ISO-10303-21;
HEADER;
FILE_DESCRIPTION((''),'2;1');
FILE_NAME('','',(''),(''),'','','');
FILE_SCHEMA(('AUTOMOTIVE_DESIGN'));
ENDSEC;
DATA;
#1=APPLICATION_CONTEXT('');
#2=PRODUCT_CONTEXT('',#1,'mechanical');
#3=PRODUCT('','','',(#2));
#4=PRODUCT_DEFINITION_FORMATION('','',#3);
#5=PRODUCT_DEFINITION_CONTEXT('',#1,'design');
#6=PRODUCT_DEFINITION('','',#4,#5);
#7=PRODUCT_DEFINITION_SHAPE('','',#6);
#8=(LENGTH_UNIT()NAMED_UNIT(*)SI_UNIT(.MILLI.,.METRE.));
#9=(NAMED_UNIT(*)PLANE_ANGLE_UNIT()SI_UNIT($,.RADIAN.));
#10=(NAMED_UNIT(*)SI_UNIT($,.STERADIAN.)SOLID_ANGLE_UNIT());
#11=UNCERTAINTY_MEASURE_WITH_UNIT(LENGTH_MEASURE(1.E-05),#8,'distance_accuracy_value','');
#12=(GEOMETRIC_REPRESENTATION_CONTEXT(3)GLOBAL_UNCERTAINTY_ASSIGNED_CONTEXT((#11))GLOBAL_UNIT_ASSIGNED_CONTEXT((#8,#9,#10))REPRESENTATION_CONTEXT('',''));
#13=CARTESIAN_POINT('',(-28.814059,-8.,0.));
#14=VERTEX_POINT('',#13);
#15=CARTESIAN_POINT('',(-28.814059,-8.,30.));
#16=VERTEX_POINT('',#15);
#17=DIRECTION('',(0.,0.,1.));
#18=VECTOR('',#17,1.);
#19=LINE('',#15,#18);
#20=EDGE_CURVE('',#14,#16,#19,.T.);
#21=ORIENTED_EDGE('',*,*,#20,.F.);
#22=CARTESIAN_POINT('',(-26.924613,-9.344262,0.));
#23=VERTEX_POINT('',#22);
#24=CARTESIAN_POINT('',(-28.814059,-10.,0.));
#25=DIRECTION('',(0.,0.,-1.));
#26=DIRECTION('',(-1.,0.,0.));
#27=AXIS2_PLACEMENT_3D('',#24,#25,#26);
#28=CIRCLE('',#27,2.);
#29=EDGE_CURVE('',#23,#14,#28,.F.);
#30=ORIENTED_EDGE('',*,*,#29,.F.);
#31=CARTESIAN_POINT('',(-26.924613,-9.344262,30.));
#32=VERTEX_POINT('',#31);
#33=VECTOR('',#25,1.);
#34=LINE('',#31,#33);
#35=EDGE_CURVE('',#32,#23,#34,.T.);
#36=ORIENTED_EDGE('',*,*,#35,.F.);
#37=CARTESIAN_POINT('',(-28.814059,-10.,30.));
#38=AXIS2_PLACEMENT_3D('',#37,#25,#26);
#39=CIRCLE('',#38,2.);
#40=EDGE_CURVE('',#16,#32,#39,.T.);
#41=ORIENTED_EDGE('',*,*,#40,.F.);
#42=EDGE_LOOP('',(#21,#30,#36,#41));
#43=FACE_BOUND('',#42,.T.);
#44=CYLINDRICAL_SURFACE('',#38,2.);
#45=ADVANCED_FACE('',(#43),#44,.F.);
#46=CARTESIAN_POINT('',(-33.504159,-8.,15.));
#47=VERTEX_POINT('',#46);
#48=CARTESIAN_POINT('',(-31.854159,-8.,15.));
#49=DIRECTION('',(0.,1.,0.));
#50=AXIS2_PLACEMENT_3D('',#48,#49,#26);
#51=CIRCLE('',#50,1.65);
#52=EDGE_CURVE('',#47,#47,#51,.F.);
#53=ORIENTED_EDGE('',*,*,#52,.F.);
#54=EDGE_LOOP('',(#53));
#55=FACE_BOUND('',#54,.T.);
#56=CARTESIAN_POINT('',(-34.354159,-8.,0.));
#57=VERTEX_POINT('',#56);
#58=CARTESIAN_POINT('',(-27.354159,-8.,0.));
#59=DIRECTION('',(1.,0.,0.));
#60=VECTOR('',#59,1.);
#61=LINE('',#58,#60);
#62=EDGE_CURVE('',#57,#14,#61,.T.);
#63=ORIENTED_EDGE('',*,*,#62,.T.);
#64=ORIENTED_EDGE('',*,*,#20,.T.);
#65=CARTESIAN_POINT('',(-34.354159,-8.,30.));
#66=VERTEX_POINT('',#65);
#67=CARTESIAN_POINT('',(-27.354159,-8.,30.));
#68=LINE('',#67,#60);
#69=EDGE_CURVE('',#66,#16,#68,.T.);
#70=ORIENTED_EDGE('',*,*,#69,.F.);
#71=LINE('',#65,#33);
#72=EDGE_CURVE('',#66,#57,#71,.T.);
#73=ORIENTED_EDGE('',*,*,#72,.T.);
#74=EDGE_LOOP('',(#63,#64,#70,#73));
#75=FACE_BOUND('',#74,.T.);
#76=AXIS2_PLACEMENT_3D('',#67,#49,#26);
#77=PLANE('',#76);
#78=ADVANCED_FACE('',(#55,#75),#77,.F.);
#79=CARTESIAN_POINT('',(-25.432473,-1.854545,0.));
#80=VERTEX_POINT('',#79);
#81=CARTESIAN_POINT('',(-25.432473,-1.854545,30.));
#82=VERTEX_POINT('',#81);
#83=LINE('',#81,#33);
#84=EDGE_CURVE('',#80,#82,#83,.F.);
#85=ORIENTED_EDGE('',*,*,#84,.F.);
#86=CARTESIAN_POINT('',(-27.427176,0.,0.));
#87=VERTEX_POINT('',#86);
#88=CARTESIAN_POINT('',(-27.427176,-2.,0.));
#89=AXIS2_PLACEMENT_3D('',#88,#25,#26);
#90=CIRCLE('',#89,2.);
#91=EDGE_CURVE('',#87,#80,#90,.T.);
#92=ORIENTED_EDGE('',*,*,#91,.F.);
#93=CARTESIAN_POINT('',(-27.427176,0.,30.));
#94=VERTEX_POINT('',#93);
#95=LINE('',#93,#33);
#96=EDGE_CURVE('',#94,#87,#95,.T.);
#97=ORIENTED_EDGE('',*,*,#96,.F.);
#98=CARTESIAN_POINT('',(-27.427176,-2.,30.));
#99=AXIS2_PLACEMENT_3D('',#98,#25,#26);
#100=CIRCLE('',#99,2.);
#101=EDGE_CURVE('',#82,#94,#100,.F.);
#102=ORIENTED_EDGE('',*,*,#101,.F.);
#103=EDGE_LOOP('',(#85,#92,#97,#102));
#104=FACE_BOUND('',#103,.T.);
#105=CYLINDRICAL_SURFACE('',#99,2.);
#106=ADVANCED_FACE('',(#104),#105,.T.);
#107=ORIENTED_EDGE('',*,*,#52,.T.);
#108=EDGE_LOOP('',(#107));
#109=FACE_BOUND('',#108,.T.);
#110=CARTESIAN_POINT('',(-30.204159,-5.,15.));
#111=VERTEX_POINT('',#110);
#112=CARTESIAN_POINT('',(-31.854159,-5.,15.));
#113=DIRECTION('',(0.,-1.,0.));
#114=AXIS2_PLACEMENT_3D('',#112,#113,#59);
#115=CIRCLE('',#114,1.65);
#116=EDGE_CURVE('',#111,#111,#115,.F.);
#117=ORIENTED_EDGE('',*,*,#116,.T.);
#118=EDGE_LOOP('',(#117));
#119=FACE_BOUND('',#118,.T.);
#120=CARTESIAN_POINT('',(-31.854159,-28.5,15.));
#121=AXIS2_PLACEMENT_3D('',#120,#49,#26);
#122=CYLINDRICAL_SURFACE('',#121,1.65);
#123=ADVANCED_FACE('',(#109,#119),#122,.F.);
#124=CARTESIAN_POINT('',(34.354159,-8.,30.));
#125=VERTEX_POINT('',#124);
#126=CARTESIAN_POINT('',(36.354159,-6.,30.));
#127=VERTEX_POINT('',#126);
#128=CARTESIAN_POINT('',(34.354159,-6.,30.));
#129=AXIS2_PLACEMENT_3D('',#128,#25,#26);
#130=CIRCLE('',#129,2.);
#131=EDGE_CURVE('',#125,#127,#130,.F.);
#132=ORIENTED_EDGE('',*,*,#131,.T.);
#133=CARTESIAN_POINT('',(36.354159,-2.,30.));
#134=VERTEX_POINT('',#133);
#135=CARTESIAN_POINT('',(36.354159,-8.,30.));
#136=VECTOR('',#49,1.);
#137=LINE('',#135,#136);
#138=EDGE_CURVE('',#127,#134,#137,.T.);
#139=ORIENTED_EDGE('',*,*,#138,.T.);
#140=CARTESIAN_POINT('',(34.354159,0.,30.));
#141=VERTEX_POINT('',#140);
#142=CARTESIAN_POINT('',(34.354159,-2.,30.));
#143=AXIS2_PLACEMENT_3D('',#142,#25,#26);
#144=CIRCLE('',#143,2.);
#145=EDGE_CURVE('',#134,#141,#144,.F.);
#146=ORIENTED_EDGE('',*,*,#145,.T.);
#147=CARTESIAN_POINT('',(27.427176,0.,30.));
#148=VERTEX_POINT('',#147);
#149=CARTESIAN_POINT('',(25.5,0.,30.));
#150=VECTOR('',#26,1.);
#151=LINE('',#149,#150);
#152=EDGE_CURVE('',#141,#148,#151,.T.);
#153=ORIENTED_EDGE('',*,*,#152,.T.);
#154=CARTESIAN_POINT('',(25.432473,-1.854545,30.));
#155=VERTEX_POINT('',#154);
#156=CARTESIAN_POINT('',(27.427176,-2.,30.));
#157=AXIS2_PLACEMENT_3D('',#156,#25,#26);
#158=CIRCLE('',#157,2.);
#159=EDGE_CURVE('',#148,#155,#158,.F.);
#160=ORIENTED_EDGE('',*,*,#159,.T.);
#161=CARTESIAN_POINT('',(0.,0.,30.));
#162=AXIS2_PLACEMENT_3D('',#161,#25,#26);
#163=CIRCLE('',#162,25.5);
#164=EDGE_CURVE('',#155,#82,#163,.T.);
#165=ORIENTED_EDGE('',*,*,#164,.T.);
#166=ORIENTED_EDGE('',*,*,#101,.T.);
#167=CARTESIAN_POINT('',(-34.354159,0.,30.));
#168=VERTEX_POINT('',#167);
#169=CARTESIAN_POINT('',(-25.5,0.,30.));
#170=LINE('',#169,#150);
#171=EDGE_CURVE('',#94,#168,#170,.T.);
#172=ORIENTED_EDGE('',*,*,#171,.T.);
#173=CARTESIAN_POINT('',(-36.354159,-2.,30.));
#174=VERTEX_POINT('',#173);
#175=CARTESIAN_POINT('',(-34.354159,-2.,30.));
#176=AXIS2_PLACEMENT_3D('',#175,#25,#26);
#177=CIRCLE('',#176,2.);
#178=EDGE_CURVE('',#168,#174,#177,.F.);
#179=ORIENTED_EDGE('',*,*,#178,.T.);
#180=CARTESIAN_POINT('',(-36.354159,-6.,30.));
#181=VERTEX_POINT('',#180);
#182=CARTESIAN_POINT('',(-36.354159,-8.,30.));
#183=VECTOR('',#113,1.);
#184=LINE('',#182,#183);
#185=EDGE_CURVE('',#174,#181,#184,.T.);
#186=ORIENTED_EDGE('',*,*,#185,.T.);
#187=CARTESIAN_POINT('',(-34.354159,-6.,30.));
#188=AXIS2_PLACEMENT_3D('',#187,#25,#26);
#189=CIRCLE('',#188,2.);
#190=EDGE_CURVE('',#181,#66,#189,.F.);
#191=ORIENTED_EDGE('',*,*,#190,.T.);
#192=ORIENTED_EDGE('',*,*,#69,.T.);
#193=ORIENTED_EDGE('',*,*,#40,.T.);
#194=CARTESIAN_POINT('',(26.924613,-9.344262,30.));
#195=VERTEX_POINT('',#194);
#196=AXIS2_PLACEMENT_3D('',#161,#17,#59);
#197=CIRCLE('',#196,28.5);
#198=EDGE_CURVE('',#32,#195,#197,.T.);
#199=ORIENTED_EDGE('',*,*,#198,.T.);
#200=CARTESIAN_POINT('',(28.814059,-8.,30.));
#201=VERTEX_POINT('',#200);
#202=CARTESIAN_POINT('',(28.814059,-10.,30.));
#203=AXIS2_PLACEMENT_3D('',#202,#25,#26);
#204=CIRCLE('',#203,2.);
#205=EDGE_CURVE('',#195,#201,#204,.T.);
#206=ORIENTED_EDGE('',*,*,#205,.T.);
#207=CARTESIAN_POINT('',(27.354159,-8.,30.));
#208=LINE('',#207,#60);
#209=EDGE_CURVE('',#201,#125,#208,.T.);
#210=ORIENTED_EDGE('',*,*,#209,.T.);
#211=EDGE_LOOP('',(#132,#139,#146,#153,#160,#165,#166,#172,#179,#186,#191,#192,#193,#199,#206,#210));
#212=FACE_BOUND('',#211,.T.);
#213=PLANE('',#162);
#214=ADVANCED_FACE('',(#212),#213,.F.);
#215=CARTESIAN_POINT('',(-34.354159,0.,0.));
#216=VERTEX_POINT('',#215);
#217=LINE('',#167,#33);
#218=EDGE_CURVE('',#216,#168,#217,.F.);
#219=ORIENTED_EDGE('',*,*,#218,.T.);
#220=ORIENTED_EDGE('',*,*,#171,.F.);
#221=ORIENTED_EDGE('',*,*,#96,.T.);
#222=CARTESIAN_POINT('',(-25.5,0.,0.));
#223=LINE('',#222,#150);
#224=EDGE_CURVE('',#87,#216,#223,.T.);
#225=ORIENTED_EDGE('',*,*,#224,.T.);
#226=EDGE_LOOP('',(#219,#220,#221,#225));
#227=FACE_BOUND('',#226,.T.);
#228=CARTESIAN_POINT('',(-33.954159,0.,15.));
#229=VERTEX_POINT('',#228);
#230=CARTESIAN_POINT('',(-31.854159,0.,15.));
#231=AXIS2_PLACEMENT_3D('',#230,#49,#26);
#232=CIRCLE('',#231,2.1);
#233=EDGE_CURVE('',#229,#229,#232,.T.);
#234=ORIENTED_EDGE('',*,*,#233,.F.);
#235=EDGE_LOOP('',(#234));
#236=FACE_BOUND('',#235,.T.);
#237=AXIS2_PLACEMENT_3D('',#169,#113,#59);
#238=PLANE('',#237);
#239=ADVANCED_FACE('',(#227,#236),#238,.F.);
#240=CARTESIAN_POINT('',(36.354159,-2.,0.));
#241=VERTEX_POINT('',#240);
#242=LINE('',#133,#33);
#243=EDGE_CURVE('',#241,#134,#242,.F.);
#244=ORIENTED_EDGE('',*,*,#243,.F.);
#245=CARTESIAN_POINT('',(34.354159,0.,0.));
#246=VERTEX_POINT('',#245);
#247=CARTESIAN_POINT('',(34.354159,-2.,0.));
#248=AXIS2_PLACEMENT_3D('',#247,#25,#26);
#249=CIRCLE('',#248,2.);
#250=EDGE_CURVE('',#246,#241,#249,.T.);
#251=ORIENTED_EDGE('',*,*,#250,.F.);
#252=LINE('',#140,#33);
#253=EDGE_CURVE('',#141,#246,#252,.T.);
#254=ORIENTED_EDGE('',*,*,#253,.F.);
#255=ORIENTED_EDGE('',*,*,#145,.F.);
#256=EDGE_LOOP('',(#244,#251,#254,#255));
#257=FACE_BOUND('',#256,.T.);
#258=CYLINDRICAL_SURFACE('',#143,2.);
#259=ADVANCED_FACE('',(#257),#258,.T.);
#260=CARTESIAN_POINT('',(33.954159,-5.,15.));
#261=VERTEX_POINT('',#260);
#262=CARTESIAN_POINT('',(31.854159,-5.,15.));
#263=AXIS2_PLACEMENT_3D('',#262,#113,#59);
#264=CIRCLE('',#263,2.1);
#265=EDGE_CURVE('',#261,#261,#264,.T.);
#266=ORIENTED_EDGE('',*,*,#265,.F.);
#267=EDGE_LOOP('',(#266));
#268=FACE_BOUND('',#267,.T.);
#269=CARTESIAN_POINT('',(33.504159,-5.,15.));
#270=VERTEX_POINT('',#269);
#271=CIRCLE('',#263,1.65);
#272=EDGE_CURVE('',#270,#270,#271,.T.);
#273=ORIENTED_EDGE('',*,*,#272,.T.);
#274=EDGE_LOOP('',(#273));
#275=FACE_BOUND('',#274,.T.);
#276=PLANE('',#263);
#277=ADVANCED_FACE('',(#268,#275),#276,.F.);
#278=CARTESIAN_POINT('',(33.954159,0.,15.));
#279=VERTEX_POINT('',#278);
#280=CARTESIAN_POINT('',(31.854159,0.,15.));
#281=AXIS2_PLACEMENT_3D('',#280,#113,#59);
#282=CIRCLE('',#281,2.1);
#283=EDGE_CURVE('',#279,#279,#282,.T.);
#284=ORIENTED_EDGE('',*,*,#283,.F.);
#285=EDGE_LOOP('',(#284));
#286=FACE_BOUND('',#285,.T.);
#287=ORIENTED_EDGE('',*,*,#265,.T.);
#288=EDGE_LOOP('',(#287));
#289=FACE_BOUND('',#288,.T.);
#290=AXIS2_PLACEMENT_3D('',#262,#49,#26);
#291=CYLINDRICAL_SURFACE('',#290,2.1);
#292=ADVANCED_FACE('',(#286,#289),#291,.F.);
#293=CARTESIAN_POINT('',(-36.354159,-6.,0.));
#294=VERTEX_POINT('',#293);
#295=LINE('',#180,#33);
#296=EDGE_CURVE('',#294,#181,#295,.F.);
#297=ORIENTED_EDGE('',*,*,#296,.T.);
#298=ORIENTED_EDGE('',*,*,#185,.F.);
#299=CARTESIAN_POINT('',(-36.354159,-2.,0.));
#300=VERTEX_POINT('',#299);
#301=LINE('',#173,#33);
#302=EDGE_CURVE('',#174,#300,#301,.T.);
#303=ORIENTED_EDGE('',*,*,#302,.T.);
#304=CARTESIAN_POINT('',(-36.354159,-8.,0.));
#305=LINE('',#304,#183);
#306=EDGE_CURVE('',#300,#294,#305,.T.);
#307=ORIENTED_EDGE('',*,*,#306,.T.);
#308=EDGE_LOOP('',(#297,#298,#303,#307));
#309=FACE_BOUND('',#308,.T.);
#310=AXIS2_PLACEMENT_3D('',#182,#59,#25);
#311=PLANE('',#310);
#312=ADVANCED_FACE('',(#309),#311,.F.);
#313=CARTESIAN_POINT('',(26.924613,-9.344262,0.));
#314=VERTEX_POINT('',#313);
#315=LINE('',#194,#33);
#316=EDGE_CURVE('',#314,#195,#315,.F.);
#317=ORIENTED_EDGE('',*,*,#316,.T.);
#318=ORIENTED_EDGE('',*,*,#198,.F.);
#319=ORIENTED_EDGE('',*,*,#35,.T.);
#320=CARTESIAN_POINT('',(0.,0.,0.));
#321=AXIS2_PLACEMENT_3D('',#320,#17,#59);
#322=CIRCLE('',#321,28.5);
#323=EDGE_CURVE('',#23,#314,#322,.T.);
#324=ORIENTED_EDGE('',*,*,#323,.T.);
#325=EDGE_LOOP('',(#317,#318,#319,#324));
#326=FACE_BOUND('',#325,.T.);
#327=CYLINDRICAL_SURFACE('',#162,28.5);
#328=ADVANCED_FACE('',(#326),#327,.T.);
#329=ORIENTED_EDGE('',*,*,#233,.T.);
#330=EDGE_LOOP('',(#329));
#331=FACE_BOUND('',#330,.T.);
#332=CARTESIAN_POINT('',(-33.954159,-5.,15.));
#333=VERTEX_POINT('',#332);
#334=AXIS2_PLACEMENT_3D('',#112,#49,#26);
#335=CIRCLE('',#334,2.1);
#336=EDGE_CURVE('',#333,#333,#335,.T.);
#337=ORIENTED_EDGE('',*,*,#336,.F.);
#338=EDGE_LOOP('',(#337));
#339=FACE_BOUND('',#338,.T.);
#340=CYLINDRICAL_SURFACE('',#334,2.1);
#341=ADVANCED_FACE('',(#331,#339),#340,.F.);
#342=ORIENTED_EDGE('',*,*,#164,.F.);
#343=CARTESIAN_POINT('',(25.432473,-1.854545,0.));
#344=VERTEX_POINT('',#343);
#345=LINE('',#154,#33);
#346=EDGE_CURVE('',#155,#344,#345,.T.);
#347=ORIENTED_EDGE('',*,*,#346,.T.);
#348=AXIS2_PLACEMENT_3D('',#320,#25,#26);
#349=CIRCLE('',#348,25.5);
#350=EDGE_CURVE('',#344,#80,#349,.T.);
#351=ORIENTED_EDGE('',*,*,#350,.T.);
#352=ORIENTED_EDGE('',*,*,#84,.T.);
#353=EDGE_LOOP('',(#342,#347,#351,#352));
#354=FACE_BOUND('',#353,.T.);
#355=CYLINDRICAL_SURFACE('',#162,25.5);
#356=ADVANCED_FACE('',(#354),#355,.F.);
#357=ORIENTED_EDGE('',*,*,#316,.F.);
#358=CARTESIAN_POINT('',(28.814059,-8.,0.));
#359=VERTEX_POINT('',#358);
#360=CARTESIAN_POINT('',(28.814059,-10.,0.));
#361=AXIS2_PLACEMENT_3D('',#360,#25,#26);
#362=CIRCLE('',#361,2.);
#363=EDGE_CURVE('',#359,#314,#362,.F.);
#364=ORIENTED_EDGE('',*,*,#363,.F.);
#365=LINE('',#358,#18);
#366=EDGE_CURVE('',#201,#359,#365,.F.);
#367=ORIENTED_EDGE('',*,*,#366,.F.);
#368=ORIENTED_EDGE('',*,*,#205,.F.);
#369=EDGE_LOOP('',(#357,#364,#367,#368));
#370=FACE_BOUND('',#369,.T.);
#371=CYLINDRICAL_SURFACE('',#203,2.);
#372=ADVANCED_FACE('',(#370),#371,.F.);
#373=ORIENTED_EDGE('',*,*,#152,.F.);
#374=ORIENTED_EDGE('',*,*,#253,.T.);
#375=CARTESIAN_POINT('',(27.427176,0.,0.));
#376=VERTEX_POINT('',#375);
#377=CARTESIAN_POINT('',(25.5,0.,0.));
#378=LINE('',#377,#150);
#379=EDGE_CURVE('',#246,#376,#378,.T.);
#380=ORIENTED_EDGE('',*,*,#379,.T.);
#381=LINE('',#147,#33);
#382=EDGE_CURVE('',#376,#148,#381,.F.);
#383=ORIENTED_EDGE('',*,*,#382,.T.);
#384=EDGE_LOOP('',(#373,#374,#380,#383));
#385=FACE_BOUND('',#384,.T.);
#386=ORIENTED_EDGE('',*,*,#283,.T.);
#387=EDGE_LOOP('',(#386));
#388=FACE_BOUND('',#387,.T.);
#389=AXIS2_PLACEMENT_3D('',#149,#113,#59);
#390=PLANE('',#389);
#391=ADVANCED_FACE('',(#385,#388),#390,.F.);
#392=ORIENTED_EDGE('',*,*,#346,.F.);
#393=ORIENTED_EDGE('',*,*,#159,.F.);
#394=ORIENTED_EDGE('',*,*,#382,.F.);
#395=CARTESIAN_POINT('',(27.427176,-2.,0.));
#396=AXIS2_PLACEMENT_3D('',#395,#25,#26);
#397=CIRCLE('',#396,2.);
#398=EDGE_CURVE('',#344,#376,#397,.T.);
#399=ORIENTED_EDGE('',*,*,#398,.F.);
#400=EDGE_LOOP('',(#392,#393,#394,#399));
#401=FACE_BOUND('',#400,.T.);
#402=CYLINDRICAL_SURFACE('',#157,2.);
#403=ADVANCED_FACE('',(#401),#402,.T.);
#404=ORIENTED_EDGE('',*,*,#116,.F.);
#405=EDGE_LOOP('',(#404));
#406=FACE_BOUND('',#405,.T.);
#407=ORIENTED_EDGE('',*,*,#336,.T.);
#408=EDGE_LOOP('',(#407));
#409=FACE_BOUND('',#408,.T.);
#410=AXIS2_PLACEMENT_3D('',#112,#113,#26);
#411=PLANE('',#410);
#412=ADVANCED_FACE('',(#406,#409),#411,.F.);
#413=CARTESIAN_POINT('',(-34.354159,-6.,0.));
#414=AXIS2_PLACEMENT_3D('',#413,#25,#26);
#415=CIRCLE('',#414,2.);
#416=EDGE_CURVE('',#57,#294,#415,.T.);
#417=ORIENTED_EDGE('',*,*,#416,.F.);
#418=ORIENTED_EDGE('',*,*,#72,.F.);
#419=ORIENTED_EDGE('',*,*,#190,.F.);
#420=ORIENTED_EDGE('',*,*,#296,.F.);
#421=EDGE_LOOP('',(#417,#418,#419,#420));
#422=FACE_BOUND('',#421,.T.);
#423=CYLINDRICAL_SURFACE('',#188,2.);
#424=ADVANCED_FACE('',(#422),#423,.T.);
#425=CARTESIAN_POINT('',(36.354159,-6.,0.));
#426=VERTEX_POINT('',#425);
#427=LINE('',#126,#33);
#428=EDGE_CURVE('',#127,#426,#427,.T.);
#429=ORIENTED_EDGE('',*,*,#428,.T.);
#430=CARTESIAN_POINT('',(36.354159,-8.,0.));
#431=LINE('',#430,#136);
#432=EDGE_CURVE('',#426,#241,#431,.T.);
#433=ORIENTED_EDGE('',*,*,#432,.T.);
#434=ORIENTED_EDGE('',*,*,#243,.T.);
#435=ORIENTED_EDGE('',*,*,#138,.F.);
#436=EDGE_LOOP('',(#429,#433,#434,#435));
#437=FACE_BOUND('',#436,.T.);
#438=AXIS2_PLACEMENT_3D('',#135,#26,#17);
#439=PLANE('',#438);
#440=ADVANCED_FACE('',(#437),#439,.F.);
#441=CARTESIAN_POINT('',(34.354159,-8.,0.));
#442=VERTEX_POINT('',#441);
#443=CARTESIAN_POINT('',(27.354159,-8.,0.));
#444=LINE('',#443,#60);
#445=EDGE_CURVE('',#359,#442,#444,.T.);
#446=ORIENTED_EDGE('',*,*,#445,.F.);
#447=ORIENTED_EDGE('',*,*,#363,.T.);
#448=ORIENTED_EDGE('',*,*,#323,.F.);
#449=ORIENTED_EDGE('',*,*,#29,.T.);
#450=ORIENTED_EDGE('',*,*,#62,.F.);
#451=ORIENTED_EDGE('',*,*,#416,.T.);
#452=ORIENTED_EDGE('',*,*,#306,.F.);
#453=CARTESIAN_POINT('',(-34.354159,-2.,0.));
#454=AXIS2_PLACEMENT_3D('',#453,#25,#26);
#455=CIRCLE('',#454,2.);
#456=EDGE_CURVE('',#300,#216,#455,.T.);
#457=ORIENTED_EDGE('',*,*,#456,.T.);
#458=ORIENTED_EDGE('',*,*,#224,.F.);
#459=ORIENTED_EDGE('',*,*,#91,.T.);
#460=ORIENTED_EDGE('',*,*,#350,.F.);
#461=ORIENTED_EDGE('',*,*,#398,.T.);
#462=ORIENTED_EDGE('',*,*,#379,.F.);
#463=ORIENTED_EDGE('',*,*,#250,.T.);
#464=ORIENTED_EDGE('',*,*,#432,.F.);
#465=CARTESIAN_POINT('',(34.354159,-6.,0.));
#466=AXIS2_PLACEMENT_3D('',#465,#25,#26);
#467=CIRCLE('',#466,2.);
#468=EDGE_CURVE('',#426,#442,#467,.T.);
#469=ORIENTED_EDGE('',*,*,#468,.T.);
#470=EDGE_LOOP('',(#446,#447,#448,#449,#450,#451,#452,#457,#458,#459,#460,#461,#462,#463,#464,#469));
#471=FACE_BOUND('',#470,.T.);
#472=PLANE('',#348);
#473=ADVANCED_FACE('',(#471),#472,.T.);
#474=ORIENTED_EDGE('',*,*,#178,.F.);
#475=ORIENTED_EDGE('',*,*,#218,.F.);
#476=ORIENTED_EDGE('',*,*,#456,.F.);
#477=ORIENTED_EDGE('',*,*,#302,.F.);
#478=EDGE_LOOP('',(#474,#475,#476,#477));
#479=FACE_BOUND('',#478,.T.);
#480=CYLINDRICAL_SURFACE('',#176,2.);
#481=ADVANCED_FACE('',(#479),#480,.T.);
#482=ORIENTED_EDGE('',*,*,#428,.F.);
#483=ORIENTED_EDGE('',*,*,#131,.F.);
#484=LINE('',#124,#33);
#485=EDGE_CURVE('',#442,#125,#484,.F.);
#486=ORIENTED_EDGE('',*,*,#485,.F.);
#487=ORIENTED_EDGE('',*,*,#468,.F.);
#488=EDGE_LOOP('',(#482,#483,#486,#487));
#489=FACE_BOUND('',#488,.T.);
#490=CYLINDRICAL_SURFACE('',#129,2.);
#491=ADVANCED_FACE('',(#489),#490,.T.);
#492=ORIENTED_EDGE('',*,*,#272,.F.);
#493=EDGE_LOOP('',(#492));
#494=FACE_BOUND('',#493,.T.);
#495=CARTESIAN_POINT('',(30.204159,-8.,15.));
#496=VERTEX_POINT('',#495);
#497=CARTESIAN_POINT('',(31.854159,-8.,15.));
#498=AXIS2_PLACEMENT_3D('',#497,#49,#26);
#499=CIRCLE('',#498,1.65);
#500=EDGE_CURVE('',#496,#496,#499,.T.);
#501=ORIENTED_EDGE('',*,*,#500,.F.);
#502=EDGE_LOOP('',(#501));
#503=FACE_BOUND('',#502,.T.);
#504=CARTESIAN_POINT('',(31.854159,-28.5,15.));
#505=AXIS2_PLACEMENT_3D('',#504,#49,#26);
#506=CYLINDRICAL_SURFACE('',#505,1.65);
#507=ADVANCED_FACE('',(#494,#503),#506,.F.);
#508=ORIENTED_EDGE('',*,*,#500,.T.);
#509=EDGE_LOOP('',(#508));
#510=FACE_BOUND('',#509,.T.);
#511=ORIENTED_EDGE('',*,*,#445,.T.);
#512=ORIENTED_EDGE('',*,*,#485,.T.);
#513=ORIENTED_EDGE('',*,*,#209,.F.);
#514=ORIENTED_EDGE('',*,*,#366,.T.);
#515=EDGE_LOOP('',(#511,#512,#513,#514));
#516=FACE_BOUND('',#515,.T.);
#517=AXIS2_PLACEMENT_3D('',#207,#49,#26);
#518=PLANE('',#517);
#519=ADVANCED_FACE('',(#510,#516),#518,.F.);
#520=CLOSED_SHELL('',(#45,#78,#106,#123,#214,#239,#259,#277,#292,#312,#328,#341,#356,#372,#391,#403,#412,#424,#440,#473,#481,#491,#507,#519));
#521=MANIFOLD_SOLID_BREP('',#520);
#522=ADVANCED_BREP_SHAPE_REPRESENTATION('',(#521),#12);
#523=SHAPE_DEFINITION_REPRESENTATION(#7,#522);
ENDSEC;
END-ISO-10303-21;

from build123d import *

# Parameters (mm, degrees)
BOSS_EXTRUDE1_DEPTH = 30
SKETCH5_R           = 2.1
CUT_EXTRUDE1_DEPTH  = 5
SKETCH6_R           = 1.65
CUT_EXTRUDE2_DEPTH  = 29.5
FILLET1_R           = 2


with BuildPart() as part:
    # Sketch3 → Boss-Extrude1 (new body)
    with BuildSketch(Plane.XY):
        with BuildLine():
            Line((-25.5, 0), (-36.354158733, 0))
            Line((-36.354158733, 0), (-36.354158733, -8))
            Line((-36.354158733, -8), (-27.354158733, -8))
            ThreePointArc((-27.354158733, -8), (0, -28.5), (27.354158733, -8))
            Line((27.354158733, -8), (36.354158733, -8))
            Line((36.354158733, -8), (36.354158733, 0))
            Line((36.354158733, 0), (25.5, 0))
            ThreePointArc((25.5, 0), (0, -25.5), (-25.5, 0))
        make_face()
    extrude(amount=BOSS_EXTRUDE1_DEPTH)

    # Sketch5 → Cut-Extrude1 (cut)
    with BuildSketch(Plane.XZ):
        with Locations((31.854158733, 15)):
            Circle(SKETCH5_R)
    cut_extrude1 = extrude(amount=CUT_EXTRUDE1_DEPTH, mode=Mode.SUBTRACT)

    # Sketch6 → Cut-Extrude2 (cut, through all)
    with BuildSketch(Plane(origin=(0, 0, 0), x_dir=(1, 0, 0), z_dir=(0, 1, 0))):
        with Locations((31.854158733, -15)):
            Circle(SKETCH6_R)
    cut_extrude2 = extrude(amount=-CUT_EXTRUDE2_DEPTH, mode=Mode.SUBTRACT)

    # Mirror1: Cut-Extrude1, Cut-Extrude2 across plane
    add(cut_extrude1.mirror(Plane(origin=(0, 0, 0), x_dir=(0, 0, 1), z_dir=(1, 0, 0))), mode=Mode.SUBTRACT)
    add(cut_extrude2.mirror(Plane(origin=(0, 0, 0), x_dir=(0, 0, 1), z_dir=(1, 0, 0))), mode=Mode.SUBTRACT)

    # Fillet1
    fillet1_edges = [part.edges().sort_by_distance(p)[0] for p in [
        (-36.354158733, 0, 15),
        (-25.5, 0, 15),
        (25.5, 0, 15),
        (36.354158733, 0, 15),
        (36.354158733, -8, 15),
        (27.354158733, -8, 15),
        (-27.354158733, -8, 15),
        (-36.354158733, -8, 15),
    ]]
    fillet(fillet1_edges, radius=FILLET1_R)


solid = part.part
